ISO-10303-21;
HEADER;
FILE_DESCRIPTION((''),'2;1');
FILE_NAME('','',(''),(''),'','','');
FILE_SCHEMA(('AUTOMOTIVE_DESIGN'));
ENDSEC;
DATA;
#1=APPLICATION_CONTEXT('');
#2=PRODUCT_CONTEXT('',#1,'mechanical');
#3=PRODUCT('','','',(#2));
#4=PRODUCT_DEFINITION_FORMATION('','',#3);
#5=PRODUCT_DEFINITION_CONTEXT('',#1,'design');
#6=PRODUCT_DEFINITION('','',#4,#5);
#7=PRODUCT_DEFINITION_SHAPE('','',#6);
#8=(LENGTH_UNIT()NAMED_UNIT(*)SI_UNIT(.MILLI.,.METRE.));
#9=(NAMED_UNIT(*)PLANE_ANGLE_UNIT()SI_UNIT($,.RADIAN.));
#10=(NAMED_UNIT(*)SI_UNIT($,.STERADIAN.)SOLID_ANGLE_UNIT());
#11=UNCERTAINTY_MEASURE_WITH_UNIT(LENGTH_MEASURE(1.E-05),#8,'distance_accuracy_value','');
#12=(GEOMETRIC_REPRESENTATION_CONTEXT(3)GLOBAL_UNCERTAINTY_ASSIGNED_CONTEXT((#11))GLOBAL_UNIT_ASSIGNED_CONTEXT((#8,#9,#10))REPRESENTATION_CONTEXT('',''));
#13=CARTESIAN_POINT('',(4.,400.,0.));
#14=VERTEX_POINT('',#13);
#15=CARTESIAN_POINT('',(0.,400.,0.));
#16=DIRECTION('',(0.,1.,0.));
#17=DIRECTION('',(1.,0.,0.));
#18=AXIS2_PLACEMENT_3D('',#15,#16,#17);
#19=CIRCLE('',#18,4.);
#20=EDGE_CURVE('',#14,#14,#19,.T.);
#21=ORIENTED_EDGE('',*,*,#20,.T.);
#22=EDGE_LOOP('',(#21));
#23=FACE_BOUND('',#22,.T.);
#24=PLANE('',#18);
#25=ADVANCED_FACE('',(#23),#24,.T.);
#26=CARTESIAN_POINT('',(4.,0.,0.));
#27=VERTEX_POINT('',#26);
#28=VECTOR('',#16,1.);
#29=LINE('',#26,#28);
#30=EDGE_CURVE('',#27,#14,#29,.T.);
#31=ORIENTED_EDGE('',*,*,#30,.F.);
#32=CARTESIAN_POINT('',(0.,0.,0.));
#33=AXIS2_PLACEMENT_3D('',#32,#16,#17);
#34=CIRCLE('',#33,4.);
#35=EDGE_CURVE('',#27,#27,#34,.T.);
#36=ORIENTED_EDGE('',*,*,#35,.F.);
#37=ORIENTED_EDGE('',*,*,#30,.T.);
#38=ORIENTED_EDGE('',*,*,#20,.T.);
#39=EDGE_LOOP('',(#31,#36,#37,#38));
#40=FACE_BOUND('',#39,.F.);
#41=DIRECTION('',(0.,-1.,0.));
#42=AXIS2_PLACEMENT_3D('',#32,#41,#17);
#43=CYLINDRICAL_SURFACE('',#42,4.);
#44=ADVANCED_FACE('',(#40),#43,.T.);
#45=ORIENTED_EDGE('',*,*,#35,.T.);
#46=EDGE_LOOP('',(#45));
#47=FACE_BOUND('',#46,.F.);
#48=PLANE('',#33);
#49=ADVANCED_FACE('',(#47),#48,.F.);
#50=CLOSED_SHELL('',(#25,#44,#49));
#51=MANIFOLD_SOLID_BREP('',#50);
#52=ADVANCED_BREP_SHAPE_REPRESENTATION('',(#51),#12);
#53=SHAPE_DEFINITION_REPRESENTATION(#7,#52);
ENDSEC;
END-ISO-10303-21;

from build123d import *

# Parameters (mm, degrees)
CROQUIS1_R              = 4
SALIENTE_EXTRUIR1_DEPTH = 400


with BuildPart() as part:
    # Croquis1 → Saliente-Extruir1 (new body)
    with BuildSketch(Plane(origin=(0, 0, 0), x_dir=(1, 0, 0), z_dir=(0, 1, 0))):
        Circle(CROQUIS1_R)
    extrude(amount=SALIENTE_EXTRUIR1_DEPTH)


solid = part.part
